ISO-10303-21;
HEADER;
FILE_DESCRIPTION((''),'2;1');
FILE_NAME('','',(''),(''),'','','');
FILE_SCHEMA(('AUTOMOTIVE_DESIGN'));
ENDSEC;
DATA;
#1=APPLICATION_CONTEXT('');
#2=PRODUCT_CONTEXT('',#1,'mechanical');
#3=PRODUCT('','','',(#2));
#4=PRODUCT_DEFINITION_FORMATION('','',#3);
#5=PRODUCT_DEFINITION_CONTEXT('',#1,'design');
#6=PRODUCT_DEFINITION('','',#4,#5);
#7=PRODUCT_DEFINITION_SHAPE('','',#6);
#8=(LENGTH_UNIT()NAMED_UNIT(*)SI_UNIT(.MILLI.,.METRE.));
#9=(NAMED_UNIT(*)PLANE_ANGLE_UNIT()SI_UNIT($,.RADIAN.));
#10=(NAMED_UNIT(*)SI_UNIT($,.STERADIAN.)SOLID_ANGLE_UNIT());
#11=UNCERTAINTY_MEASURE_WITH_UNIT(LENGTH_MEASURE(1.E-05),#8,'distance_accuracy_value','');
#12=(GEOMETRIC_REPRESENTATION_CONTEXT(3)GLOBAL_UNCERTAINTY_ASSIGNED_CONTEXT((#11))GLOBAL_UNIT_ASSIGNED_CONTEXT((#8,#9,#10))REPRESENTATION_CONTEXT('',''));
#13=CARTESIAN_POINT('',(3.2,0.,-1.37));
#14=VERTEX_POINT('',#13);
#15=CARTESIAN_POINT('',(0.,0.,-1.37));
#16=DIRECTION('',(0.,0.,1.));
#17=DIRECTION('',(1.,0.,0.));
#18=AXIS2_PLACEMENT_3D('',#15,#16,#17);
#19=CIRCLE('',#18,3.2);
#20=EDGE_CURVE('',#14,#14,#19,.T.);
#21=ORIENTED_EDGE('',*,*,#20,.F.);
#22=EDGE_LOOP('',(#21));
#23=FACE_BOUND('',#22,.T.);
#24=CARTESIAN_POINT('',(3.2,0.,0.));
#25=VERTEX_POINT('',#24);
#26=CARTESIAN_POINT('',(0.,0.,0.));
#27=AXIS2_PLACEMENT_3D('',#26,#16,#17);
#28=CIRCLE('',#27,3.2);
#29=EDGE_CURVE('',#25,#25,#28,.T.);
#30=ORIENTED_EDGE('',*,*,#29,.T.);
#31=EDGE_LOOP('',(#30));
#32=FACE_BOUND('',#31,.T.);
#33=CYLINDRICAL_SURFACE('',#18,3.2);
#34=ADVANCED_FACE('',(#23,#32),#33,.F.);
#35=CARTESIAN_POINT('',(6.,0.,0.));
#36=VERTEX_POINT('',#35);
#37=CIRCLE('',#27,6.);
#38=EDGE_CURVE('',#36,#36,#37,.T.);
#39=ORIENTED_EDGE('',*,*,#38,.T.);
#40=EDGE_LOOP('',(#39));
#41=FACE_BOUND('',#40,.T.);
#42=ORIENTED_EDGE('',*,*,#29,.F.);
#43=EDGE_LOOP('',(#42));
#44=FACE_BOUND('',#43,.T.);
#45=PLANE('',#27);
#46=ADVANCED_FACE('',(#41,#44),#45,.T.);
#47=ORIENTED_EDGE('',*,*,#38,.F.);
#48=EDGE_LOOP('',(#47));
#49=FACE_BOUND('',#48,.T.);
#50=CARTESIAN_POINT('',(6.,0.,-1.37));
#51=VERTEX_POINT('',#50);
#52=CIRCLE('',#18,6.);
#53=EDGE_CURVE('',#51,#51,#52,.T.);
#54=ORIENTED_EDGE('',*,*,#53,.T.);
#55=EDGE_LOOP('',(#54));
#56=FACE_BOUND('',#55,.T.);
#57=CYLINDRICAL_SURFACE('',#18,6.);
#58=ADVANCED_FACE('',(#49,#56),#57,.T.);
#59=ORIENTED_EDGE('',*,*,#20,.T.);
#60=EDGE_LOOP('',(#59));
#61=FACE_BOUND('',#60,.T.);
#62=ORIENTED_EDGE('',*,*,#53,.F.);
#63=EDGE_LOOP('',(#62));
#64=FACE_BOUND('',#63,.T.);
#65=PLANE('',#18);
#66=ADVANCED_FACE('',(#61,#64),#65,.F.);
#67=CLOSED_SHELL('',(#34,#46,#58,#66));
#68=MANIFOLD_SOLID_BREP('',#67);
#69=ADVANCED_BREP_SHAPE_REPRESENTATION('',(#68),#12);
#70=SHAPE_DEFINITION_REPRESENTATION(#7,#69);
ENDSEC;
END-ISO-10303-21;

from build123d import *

# Parameters (mm, degrees)
SKETCH1_R      = 6
SKETCH1_R_2    = 3.2
EXTRUDE1_DEPTH = 1.37


with BuildPart() as part:
    # Sketch1 → Extrude1 (new body)
    with BuildSketch(Plane.XY):
        Circle(SKETCH1_R)
        Circle(SKETCH1_R_2, mode=Mode.SUBTRACT)
    extrude(amount=-EXTRUDE1_DEPTH)


solid = part.part
